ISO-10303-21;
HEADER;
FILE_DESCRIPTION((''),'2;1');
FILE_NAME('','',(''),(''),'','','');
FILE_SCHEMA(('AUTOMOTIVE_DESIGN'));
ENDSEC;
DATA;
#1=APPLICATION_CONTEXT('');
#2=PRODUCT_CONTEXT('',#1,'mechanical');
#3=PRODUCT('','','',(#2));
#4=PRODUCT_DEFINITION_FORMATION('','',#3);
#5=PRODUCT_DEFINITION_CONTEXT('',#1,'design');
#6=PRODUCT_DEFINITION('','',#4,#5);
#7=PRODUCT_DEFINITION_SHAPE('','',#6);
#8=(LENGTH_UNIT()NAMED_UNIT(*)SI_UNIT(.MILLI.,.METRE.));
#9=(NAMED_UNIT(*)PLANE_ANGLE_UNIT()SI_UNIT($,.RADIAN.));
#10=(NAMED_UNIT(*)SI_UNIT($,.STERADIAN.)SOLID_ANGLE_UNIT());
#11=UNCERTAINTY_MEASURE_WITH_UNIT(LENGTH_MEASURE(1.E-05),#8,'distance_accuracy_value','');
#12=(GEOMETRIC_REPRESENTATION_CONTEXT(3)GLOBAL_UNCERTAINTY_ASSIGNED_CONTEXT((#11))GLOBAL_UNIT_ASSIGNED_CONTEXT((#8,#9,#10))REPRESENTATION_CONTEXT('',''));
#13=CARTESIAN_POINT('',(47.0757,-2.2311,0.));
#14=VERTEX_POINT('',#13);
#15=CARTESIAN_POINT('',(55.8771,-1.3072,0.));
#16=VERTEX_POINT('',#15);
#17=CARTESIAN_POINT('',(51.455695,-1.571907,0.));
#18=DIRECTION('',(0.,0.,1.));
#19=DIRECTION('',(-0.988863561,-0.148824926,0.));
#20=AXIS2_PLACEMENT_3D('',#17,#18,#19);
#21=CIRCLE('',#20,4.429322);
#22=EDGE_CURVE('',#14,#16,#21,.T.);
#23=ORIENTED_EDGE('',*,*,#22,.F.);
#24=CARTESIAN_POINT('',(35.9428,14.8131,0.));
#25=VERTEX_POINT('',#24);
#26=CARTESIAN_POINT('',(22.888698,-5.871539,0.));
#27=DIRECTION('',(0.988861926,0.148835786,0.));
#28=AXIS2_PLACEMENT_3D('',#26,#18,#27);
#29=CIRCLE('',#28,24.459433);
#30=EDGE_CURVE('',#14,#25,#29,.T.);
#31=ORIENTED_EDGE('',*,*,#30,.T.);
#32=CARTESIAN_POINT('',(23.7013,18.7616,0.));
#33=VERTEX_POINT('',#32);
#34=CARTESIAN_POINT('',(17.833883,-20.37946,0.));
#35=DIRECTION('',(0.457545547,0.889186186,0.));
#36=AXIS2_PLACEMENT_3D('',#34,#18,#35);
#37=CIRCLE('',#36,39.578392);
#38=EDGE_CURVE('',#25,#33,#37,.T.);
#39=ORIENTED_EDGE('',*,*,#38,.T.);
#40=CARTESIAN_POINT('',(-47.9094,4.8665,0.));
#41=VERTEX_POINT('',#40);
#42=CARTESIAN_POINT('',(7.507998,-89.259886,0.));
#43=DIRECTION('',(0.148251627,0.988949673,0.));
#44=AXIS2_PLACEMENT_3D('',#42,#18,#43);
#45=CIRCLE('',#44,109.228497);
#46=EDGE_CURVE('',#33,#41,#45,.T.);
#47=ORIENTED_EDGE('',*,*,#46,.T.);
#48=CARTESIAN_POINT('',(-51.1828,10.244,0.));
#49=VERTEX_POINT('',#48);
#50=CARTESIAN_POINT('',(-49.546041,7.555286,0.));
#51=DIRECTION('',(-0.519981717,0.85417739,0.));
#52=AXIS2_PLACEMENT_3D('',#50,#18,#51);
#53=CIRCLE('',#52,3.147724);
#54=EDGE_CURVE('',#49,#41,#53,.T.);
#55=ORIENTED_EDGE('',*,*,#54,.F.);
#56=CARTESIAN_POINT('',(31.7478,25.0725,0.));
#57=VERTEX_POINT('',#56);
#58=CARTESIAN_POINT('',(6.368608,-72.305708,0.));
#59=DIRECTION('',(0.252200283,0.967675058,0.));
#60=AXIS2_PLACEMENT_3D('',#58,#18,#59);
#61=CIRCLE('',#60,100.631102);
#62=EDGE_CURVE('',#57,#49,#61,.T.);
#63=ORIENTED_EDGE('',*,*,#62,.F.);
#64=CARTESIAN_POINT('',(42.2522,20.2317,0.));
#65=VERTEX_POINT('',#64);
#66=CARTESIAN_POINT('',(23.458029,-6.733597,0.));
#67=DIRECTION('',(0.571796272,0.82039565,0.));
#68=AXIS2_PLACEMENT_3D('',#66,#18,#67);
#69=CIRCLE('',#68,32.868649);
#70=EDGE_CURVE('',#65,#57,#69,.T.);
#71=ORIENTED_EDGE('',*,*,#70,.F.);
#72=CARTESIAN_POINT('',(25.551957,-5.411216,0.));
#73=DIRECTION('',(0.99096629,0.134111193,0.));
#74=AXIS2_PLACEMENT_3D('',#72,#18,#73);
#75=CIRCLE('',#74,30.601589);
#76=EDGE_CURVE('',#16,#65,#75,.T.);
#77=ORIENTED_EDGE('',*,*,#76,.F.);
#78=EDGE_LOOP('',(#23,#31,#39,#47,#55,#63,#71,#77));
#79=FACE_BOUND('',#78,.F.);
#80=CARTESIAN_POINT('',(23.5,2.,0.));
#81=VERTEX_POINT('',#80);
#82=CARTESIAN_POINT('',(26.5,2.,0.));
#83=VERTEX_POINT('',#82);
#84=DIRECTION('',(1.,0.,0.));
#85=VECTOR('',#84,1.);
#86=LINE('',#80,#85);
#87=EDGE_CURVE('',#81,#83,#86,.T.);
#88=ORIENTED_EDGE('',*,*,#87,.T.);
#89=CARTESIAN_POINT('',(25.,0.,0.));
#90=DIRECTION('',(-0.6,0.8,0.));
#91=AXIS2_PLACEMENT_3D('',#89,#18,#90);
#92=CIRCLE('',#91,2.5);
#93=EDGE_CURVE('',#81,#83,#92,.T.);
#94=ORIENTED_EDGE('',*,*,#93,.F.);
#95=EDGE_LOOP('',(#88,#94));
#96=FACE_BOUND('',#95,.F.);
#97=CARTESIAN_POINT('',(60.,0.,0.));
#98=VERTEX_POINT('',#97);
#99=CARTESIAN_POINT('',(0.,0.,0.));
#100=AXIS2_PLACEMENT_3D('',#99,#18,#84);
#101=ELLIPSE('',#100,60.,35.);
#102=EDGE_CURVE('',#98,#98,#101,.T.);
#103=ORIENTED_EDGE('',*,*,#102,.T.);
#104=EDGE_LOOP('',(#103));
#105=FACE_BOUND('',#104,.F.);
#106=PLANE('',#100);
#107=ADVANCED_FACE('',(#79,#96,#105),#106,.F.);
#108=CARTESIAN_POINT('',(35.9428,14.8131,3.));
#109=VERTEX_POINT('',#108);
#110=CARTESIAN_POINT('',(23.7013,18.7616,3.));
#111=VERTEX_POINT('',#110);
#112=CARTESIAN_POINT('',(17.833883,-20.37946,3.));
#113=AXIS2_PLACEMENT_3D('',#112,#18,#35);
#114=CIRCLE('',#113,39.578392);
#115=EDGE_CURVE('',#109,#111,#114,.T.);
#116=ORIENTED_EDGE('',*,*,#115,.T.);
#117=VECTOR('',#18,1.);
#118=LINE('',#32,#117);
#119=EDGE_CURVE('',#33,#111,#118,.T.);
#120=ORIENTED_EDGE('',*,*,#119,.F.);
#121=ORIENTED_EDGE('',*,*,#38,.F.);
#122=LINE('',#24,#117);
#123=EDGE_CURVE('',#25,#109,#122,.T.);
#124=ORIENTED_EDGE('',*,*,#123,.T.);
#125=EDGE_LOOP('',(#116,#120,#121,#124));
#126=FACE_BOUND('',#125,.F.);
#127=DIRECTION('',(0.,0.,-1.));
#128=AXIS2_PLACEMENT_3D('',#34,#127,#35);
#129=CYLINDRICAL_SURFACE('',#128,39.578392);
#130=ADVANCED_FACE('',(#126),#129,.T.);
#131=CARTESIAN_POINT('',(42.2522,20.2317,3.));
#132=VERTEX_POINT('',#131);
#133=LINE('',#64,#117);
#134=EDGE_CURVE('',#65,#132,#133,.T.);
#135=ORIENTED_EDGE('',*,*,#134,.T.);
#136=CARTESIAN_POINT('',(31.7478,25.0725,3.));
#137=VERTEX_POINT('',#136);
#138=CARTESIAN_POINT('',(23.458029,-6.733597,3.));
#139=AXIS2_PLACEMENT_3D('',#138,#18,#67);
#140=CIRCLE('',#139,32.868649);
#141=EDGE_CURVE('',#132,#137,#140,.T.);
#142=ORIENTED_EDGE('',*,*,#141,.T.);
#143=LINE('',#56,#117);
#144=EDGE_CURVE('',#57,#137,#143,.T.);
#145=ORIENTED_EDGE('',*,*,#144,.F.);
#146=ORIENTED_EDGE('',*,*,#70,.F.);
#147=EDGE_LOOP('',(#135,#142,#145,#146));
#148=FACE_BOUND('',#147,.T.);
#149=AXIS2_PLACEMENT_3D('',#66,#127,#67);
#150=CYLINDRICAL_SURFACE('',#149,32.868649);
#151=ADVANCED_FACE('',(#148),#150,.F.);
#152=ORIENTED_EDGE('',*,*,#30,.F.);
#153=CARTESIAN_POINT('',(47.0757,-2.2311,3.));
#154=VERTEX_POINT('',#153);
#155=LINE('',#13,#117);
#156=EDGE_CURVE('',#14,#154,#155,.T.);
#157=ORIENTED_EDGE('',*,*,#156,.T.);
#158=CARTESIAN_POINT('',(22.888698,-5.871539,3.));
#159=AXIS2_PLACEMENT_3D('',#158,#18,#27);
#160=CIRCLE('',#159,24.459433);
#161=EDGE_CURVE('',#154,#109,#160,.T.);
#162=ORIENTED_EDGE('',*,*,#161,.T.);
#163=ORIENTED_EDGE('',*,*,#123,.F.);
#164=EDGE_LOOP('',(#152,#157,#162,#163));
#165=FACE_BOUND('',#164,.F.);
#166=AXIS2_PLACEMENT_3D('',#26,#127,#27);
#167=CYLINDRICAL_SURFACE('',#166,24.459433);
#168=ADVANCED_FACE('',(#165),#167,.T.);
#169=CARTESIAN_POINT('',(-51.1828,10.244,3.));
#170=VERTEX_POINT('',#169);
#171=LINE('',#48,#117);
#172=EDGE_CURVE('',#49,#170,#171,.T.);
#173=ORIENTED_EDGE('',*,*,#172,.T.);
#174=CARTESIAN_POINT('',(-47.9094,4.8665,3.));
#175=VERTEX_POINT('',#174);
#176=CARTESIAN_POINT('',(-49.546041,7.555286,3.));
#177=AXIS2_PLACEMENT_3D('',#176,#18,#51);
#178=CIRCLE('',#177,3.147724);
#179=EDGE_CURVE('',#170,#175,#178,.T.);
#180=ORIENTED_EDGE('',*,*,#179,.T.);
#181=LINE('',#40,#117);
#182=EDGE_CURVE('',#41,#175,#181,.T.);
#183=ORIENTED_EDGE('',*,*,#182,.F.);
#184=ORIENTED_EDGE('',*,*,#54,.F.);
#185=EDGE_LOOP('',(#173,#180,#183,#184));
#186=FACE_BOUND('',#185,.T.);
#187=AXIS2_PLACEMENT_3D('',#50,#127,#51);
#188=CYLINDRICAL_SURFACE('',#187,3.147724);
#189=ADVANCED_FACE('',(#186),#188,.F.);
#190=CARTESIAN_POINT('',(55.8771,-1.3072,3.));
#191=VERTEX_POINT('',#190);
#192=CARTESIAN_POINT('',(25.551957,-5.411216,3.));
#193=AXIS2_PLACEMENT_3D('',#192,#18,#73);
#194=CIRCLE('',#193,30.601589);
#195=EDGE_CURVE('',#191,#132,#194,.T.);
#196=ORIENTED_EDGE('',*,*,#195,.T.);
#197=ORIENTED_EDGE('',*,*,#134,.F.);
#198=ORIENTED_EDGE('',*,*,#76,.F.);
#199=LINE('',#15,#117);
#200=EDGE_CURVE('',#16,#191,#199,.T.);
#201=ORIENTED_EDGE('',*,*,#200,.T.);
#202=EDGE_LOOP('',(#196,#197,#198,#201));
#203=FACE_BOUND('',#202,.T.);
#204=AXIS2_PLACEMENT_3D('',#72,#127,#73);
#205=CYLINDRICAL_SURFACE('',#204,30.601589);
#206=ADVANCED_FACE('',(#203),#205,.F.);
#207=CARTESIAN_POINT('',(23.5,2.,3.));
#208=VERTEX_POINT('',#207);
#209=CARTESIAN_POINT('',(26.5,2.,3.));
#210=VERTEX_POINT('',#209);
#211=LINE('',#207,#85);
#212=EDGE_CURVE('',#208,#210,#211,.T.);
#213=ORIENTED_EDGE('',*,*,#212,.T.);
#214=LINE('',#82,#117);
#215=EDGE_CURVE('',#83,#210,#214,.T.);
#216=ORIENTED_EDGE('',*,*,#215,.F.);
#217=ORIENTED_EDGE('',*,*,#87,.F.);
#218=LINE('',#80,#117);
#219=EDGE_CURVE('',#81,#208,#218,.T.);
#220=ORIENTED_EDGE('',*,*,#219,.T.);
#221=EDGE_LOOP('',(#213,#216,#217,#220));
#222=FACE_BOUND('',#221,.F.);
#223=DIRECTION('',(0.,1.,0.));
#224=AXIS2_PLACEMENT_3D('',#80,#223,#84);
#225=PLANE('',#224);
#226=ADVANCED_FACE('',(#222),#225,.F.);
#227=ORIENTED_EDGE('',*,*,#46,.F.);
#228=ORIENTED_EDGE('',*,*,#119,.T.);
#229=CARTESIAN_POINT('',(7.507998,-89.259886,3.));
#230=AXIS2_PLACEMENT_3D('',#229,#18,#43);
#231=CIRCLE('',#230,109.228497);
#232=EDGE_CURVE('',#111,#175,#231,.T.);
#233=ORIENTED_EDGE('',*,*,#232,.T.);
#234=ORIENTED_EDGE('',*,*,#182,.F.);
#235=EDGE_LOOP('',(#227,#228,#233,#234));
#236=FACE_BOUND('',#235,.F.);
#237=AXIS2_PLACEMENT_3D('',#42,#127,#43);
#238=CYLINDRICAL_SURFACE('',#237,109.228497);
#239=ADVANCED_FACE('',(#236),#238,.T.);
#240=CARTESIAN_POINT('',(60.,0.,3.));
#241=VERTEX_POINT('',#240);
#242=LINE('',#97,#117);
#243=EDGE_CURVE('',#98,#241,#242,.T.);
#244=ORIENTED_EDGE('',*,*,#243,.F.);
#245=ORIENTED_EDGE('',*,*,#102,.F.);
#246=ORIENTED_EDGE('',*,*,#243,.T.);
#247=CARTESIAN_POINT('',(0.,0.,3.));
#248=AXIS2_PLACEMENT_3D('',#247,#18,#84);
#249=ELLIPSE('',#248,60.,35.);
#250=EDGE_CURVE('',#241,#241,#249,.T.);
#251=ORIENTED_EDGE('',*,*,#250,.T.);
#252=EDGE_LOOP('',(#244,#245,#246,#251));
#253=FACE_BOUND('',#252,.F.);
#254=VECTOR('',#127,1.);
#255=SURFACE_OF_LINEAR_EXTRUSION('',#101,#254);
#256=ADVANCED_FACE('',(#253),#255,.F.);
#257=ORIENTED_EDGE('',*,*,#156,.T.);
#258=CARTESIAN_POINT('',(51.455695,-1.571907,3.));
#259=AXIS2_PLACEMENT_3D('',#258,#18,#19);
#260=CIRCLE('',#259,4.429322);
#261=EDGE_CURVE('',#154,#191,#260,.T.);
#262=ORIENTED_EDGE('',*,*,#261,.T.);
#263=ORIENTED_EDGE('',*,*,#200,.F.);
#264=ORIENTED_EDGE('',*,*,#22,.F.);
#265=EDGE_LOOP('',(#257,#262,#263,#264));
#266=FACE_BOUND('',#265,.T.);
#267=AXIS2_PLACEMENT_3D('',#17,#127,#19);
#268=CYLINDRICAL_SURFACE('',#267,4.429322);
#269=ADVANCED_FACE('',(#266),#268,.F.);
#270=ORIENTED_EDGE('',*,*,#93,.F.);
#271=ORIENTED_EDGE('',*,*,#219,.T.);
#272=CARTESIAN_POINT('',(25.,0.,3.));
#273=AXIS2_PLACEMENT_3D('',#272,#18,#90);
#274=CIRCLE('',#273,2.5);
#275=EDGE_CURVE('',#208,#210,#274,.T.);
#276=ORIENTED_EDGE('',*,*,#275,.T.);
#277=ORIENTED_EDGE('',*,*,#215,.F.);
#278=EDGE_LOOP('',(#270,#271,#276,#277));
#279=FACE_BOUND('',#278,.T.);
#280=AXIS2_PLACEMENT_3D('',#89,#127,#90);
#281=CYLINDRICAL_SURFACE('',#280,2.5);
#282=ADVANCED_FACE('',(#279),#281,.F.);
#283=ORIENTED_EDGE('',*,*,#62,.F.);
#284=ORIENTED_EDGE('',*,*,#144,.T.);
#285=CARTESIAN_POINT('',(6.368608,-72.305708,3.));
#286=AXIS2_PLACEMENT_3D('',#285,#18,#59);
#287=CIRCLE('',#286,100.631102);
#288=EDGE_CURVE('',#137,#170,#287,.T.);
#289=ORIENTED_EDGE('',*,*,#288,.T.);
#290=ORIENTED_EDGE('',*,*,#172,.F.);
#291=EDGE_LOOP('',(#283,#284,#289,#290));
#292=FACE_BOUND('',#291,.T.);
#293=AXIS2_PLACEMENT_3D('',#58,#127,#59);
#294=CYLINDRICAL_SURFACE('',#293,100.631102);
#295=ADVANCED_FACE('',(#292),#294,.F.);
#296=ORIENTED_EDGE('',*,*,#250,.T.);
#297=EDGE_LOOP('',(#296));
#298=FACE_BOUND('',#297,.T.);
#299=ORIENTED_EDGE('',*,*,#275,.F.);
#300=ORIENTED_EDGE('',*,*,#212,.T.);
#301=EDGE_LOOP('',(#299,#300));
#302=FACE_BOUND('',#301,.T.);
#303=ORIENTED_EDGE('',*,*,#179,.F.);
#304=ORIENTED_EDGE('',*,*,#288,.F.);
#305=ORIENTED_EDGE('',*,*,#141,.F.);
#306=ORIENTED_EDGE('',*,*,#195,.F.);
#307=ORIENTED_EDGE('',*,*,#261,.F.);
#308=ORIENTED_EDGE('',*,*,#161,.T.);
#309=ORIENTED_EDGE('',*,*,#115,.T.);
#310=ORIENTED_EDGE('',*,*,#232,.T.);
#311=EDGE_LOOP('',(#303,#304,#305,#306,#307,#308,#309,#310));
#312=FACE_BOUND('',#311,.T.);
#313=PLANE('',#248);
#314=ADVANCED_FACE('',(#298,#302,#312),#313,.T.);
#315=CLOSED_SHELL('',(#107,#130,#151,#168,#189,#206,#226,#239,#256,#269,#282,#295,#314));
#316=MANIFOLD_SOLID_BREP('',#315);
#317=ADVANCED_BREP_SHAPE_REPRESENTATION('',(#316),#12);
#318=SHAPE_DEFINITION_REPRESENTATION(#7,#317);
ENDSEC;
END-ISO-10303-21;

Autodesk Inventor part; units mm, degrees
ref_plane "YZ Plane" through (0, 0, 0) normal (1, 0, 0) x (0, 1, 0)
ref_plane "XZ Plane" through (0, 0, 0) normal (0, 1, 0) x (-1, 0, 0)
ref_plane "XY Plane" through (0, 0, 0) normal (0, 0, 1) x (1, 0, 0)
sketch "Sketch1" plane through (0, 0, 0) normal (0, 0, 1) x (1, 0, 0)
  ellipse E0 centre (0, 0) end of major axis (60, 0) minor radius 35
  arc A0 (31.7478, 25.0725) -> (-51.1828, 10.244) centre (6.3686, -72.3059) ccw
  arc A1 (23.7013, 18.7616) -> (-47.9094, 4.8665) centre (7.508, -89.26) ccw
  arc A2 (55.8771, -1.3072) -> (42.2522, 20.2317) centre (25.552, -5.4112) ccw
  arc A3 (47.0757, -2.2311) -> (35.9428, 14.8131) centre (22.8888, -5.8715) ccw
  arc A4 (35.9428, 14.8131) -> (23.7013, 18.7616) centre (17.8337, -20.3799) ccw
  arc A5 (42.2522, 20.2317) -> (31.7478, 25.0725) centre (23.4586, -6.7326) ccw
  arc A6 (-51.1828, 10.244) -> (-47.9094, 4.8665) centre (-49.5461, 7.5553) ccw
  arc A7 (47.0757, -2.2311) -> (55.8771, -1.3072) centre (51.4557, -1.5719) ccw
  arc A8 (23.5, 2) -> (26.5, 2) centre (25, 0) ccw
  line L0 (23.5, 2) -> (26.5, 2)
  dimension "d0" = 60
  dimension "d1" = 35
  dimension "d2" = 5
  dimension "d3" = 2
  dimension "d4" = 25
extrude "Extrusion1" add sketch "Sketch1" along normal blind 3
properties part number "Rail1st_withD"
